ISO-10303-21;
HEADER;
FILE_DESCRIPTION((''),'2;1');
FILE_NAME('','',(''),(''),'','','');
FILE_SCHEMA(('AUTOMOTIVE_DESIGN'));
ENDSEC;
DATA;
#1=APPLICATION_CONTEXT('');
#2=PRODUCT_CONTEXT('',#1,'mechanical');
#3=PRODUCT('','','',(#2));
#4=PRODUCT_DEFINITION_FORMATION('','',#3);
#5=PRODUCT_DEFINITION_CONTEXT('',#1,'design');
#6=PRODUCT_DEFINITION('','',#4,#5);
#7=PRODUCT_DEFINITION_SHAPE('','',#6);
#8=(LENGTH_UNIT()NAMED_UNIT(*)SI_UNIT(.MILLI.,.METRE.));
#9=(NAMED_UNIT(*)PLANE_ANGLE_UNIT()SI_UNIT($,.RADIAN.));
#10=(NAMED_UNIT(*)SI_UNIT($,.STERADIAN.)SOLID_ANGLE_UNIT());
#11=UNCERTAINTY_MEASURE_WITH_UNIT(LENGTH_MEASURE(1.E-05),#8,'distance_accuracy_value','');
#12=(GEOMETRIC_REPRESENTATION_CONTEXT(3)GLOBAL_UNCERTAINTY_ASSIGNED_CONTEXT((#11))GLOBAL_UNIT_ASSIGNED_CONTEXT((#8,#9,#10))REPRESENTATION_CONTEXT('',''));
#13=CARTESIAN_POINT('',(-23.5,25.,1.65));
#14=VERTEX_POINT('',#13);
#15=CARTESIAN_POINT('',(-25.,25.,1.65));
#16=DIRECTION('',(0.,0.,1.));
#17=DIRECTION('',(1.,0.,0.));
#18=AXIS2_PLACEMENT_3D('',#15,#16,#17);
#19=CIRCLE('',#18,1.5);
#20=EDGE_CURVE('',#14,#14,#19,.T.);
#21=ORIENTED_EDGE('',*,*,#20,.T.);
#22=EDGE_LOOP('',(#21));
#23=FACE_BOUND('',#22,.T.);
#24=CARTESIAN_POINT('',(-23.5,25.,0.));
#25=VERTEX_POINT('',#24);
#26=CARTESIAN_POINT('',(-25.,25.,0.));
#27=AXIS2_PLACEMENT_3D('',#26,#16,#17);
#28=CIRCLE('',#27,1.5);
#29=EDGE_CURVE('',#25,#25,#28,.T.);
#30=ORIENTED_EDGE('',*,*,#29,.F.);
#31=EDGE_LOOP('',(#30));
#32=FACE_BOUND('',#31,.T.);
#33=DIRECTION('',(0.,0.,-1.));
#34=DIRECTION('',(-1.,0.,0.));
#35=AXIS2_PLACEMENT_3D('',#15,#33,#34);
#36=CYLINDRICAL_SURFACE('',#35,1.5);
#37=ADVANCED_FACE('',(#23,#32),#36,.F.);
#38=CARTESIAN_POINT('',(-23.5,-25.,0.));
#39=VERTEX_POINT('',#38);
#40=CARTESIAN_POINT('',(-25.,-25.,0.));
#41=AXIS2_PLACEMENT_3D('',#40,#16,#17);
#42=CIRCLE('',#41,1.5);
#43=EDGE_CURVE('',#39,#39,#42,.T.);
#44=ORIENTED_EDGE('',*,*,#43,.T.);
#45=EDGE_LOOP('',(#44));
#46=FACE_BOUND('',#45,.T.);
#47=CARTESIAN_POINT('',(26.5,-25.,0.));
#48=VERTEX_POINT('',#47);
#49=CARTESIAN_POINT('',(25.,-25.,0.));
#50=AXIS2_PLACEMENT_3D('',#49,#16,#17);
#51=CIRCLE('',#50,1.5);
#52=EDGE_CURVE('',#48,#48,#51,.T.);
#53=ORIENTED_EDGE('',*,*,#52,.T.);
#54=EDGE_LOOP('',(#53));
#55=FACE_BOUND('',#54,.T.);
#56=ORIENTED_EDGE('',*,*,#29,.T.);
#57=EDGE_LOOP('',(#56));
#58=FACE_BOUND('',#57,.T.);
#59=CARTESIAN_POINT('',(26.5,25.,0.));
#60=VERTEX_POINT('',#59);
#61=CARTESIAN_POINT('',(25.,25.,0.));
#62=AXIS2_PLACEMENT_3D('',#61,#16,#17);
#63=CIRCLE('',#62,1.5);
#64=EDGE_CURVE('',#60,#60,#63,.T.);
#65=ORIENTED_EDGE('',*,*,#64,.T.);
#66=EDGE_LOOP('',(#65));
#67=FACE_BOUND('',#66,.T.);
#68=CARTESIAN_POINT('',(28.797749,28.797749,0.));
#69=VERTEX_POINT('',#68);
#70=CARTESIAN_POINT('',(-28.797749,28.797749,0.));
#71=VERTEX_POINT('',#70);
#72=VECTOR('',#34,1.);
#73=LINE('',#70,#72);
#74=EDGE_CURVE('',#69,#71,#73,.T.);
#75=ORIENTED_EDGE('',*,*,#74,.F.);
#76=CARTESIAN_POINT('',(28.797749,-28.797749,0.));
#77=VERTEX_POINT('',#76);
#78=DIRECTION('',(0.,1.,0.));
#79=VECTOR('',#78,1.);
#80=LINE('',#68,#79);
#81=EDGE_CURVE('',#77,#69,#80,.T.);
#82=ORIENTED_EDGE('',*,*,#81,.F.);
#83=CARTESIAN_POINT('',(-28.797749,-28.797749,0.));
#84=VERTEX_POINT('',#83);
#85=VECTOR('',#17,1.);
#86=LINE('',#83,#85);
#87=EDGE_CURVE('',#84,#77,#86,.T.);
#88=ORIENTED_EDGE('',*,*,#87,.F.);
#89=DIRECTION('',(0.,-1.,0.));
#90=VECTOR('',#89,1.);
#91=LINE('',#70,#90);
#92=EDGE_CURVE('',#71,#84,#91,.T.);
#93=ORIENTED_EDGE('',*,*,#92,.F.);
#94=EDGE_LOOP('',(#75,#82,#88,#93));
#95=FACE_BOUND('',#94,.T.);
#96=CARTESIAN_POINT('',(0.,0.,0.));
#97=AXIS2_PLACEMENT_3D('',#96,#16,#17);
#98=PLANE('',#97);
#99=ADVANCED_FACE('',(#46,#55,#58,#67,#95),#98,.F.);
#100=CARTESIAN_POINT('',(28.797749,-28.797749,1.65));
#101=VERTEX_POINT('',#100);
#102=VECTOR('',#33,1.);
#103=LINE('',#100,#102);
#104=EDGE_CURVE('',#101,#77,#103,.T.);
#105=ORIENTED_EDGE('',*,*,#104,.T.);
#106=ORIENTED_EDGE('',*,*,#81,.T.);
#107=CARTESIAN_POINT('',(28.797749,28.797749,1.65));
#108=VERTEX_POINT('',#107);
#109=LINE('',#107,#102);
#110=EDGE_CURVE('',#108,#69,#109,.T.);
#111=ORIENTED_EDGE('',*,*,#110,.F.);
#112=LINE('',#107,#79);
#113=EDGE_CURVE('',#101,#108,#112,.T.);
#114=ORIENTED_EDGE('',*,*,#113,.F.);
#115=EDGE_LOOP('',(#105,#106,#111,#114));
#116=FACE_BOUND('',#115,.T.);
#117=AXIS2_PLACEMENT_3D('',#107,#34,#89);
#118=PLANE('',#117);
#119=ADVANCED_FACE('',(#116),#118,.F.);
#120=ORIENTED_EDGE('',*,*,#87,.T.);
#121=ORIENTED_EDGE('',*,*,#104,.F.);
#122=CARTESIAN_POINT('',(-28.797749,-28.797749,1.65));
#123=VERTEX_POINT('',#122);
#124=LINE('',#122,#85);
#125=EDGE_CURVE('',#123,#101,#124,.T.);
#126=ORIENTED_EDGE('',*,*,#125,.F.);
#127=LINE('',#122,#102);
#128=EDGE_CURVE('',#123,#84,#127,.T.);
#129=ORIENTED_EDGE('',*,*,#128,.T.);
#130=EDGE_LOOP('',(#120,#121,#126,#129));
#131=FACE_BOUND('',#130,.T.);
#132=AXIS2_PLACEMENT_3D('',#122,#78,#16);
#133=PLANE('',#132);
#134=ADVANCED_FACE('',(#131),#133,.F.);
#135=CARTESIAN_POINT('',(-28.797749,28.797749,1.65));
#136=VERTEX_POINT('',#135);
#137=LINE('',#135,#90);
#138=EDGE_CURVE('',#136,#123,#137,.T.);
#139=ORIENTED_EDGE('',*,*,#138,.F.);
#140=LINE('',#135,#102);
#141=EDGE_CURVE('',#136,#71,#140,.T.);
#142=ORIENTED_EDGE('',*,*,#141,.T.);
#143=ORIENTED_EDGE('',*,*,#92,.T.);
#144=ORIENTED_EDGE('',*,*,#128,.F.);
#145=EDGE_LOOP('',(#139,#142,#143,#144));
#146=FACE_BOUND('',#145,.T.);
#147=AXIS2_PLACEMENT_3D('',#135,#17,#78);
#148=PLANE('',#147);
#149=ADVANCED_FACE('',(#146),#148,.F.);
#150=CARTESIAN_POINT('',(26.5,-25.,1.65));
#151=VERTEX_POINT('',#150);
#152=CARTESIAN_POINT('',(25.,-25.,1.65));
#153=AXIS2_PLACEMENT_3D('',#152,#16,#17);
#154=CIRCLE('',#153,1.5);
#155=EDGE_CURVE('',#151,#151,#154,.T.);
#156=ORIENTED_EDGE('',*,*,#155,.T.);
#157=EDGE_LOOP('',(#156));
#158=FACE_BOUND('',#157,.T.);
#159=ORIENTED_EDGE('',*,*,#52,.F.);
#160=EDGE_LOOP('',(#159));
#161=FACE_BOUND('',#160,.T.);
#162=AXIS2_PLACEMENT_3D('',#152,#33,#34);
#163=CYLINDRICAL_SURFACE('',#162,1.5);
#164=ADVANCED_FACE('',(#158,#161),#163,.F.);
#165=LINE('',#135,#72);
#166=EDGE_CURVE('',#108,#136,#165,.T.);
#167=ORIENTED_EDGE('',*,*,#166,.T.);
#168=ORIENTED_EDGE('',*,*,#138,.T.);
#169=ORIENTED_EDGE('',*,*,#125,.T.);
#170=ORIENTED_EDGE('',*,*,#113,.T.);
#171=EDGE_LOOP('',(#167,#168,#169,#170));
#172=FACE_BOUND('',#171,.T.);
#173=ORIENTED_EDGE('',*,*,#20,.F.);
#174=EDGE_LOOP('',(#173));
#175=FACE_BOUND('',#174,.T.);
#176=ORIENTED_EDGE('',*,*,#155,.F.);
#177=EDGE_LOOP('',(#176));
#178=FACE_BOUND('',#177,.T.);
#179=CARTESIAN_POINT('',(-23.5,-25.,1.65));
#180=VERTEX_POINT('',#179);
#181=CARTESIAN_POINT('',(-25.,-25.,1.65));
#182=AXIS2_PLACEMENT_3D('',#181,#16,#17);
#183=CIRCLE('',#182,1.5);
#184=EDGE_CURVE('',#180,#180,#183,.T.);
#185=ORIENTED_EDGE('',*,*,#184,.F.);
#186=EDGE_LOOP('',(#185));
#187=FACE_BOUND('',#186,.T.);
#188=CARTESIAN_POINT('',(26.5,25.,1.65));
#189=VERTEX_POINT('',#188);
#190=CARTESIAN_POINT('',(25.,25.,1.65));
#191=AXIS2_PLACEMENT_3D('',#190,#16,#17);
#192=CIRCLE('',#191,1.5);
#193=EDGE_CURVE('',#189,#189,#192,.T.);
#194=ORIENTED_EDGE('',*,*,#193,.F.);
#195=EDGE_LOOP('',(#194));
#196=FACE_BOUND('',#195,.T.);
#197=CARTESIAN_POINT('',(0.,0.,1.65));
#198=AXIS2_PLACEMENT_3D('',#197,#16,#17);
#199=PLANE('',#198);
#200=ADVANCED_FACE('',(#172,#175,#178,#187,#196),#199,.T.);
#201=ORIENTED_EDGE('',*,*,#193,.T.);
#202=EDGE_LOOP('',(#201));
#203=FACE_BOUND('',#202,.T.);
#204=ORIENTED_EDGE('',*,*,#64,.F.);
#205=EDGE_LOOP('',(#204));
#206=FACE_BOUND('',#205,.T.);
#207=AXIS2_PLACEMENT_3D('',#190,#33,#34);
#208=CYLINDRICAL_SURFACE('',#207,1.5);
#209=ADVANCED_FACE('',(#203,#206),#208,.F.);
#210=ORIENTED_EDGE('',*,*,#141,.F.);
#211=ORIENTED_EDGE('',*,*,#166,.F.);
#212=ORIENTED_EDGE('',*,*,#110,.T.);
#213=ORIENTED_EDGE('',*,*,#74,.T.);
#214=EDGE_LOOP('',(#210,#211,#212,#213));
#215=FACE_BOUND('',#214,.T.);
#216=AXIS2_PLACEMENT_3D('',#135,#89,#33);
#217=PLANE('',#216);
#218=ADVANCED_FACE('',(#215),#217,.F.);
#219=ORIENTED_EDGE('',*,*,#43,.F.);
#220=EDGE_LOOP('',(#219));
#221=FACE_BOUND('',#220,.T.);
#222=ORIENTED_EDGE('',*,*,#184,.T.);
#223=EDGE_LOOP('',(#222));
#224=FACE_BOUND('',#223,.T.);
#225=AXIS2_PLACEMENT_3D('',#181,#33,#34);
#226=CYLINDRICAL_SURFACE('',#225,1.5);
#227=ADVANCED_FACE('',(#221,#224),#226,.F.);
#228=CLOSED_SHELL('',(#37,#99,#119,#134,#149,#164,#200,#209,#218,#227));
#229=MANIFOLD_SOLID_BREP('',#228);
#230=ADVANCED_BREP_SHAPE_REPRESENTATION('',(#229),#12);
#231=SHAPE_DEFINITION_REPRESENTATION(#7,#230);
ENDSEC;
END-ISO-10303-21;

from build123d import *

# Parameters (mm, degrees)
SKETCH_1_W      = 57.595497494
SKETCH_1_H      = 57.595497494
SKETCH_1_R      = 1.5
EXTRUDE_1_DEPTH = 1.65


with BuildPart() as part:
    # 草图1 → 凸台-拉伸1 (new body)
    with BuildSketch(Plane.XY):
        Rectangle(SKETCH_1_W, SKETCH_1_H)
        with Locations((-25, 25)):
            Circle(SKETCH_1_R, mode=Mode.SUBTRACT)
        with Locations((25, 25)):
            Circle(SKETCH_1_R, mode=Mode.SUBTRACT)
        with Locations((-25, -25)):
            Circle(SKETCH_1_R, mode=Mode.SUBTRACT)
        with Locations((25, -25)):
            Circle(SKETCH_1_R, mode=Mode.SUBTRACT)
    extrude(amount=EXTRUDE_1_DEPTH)


solid = part.part
